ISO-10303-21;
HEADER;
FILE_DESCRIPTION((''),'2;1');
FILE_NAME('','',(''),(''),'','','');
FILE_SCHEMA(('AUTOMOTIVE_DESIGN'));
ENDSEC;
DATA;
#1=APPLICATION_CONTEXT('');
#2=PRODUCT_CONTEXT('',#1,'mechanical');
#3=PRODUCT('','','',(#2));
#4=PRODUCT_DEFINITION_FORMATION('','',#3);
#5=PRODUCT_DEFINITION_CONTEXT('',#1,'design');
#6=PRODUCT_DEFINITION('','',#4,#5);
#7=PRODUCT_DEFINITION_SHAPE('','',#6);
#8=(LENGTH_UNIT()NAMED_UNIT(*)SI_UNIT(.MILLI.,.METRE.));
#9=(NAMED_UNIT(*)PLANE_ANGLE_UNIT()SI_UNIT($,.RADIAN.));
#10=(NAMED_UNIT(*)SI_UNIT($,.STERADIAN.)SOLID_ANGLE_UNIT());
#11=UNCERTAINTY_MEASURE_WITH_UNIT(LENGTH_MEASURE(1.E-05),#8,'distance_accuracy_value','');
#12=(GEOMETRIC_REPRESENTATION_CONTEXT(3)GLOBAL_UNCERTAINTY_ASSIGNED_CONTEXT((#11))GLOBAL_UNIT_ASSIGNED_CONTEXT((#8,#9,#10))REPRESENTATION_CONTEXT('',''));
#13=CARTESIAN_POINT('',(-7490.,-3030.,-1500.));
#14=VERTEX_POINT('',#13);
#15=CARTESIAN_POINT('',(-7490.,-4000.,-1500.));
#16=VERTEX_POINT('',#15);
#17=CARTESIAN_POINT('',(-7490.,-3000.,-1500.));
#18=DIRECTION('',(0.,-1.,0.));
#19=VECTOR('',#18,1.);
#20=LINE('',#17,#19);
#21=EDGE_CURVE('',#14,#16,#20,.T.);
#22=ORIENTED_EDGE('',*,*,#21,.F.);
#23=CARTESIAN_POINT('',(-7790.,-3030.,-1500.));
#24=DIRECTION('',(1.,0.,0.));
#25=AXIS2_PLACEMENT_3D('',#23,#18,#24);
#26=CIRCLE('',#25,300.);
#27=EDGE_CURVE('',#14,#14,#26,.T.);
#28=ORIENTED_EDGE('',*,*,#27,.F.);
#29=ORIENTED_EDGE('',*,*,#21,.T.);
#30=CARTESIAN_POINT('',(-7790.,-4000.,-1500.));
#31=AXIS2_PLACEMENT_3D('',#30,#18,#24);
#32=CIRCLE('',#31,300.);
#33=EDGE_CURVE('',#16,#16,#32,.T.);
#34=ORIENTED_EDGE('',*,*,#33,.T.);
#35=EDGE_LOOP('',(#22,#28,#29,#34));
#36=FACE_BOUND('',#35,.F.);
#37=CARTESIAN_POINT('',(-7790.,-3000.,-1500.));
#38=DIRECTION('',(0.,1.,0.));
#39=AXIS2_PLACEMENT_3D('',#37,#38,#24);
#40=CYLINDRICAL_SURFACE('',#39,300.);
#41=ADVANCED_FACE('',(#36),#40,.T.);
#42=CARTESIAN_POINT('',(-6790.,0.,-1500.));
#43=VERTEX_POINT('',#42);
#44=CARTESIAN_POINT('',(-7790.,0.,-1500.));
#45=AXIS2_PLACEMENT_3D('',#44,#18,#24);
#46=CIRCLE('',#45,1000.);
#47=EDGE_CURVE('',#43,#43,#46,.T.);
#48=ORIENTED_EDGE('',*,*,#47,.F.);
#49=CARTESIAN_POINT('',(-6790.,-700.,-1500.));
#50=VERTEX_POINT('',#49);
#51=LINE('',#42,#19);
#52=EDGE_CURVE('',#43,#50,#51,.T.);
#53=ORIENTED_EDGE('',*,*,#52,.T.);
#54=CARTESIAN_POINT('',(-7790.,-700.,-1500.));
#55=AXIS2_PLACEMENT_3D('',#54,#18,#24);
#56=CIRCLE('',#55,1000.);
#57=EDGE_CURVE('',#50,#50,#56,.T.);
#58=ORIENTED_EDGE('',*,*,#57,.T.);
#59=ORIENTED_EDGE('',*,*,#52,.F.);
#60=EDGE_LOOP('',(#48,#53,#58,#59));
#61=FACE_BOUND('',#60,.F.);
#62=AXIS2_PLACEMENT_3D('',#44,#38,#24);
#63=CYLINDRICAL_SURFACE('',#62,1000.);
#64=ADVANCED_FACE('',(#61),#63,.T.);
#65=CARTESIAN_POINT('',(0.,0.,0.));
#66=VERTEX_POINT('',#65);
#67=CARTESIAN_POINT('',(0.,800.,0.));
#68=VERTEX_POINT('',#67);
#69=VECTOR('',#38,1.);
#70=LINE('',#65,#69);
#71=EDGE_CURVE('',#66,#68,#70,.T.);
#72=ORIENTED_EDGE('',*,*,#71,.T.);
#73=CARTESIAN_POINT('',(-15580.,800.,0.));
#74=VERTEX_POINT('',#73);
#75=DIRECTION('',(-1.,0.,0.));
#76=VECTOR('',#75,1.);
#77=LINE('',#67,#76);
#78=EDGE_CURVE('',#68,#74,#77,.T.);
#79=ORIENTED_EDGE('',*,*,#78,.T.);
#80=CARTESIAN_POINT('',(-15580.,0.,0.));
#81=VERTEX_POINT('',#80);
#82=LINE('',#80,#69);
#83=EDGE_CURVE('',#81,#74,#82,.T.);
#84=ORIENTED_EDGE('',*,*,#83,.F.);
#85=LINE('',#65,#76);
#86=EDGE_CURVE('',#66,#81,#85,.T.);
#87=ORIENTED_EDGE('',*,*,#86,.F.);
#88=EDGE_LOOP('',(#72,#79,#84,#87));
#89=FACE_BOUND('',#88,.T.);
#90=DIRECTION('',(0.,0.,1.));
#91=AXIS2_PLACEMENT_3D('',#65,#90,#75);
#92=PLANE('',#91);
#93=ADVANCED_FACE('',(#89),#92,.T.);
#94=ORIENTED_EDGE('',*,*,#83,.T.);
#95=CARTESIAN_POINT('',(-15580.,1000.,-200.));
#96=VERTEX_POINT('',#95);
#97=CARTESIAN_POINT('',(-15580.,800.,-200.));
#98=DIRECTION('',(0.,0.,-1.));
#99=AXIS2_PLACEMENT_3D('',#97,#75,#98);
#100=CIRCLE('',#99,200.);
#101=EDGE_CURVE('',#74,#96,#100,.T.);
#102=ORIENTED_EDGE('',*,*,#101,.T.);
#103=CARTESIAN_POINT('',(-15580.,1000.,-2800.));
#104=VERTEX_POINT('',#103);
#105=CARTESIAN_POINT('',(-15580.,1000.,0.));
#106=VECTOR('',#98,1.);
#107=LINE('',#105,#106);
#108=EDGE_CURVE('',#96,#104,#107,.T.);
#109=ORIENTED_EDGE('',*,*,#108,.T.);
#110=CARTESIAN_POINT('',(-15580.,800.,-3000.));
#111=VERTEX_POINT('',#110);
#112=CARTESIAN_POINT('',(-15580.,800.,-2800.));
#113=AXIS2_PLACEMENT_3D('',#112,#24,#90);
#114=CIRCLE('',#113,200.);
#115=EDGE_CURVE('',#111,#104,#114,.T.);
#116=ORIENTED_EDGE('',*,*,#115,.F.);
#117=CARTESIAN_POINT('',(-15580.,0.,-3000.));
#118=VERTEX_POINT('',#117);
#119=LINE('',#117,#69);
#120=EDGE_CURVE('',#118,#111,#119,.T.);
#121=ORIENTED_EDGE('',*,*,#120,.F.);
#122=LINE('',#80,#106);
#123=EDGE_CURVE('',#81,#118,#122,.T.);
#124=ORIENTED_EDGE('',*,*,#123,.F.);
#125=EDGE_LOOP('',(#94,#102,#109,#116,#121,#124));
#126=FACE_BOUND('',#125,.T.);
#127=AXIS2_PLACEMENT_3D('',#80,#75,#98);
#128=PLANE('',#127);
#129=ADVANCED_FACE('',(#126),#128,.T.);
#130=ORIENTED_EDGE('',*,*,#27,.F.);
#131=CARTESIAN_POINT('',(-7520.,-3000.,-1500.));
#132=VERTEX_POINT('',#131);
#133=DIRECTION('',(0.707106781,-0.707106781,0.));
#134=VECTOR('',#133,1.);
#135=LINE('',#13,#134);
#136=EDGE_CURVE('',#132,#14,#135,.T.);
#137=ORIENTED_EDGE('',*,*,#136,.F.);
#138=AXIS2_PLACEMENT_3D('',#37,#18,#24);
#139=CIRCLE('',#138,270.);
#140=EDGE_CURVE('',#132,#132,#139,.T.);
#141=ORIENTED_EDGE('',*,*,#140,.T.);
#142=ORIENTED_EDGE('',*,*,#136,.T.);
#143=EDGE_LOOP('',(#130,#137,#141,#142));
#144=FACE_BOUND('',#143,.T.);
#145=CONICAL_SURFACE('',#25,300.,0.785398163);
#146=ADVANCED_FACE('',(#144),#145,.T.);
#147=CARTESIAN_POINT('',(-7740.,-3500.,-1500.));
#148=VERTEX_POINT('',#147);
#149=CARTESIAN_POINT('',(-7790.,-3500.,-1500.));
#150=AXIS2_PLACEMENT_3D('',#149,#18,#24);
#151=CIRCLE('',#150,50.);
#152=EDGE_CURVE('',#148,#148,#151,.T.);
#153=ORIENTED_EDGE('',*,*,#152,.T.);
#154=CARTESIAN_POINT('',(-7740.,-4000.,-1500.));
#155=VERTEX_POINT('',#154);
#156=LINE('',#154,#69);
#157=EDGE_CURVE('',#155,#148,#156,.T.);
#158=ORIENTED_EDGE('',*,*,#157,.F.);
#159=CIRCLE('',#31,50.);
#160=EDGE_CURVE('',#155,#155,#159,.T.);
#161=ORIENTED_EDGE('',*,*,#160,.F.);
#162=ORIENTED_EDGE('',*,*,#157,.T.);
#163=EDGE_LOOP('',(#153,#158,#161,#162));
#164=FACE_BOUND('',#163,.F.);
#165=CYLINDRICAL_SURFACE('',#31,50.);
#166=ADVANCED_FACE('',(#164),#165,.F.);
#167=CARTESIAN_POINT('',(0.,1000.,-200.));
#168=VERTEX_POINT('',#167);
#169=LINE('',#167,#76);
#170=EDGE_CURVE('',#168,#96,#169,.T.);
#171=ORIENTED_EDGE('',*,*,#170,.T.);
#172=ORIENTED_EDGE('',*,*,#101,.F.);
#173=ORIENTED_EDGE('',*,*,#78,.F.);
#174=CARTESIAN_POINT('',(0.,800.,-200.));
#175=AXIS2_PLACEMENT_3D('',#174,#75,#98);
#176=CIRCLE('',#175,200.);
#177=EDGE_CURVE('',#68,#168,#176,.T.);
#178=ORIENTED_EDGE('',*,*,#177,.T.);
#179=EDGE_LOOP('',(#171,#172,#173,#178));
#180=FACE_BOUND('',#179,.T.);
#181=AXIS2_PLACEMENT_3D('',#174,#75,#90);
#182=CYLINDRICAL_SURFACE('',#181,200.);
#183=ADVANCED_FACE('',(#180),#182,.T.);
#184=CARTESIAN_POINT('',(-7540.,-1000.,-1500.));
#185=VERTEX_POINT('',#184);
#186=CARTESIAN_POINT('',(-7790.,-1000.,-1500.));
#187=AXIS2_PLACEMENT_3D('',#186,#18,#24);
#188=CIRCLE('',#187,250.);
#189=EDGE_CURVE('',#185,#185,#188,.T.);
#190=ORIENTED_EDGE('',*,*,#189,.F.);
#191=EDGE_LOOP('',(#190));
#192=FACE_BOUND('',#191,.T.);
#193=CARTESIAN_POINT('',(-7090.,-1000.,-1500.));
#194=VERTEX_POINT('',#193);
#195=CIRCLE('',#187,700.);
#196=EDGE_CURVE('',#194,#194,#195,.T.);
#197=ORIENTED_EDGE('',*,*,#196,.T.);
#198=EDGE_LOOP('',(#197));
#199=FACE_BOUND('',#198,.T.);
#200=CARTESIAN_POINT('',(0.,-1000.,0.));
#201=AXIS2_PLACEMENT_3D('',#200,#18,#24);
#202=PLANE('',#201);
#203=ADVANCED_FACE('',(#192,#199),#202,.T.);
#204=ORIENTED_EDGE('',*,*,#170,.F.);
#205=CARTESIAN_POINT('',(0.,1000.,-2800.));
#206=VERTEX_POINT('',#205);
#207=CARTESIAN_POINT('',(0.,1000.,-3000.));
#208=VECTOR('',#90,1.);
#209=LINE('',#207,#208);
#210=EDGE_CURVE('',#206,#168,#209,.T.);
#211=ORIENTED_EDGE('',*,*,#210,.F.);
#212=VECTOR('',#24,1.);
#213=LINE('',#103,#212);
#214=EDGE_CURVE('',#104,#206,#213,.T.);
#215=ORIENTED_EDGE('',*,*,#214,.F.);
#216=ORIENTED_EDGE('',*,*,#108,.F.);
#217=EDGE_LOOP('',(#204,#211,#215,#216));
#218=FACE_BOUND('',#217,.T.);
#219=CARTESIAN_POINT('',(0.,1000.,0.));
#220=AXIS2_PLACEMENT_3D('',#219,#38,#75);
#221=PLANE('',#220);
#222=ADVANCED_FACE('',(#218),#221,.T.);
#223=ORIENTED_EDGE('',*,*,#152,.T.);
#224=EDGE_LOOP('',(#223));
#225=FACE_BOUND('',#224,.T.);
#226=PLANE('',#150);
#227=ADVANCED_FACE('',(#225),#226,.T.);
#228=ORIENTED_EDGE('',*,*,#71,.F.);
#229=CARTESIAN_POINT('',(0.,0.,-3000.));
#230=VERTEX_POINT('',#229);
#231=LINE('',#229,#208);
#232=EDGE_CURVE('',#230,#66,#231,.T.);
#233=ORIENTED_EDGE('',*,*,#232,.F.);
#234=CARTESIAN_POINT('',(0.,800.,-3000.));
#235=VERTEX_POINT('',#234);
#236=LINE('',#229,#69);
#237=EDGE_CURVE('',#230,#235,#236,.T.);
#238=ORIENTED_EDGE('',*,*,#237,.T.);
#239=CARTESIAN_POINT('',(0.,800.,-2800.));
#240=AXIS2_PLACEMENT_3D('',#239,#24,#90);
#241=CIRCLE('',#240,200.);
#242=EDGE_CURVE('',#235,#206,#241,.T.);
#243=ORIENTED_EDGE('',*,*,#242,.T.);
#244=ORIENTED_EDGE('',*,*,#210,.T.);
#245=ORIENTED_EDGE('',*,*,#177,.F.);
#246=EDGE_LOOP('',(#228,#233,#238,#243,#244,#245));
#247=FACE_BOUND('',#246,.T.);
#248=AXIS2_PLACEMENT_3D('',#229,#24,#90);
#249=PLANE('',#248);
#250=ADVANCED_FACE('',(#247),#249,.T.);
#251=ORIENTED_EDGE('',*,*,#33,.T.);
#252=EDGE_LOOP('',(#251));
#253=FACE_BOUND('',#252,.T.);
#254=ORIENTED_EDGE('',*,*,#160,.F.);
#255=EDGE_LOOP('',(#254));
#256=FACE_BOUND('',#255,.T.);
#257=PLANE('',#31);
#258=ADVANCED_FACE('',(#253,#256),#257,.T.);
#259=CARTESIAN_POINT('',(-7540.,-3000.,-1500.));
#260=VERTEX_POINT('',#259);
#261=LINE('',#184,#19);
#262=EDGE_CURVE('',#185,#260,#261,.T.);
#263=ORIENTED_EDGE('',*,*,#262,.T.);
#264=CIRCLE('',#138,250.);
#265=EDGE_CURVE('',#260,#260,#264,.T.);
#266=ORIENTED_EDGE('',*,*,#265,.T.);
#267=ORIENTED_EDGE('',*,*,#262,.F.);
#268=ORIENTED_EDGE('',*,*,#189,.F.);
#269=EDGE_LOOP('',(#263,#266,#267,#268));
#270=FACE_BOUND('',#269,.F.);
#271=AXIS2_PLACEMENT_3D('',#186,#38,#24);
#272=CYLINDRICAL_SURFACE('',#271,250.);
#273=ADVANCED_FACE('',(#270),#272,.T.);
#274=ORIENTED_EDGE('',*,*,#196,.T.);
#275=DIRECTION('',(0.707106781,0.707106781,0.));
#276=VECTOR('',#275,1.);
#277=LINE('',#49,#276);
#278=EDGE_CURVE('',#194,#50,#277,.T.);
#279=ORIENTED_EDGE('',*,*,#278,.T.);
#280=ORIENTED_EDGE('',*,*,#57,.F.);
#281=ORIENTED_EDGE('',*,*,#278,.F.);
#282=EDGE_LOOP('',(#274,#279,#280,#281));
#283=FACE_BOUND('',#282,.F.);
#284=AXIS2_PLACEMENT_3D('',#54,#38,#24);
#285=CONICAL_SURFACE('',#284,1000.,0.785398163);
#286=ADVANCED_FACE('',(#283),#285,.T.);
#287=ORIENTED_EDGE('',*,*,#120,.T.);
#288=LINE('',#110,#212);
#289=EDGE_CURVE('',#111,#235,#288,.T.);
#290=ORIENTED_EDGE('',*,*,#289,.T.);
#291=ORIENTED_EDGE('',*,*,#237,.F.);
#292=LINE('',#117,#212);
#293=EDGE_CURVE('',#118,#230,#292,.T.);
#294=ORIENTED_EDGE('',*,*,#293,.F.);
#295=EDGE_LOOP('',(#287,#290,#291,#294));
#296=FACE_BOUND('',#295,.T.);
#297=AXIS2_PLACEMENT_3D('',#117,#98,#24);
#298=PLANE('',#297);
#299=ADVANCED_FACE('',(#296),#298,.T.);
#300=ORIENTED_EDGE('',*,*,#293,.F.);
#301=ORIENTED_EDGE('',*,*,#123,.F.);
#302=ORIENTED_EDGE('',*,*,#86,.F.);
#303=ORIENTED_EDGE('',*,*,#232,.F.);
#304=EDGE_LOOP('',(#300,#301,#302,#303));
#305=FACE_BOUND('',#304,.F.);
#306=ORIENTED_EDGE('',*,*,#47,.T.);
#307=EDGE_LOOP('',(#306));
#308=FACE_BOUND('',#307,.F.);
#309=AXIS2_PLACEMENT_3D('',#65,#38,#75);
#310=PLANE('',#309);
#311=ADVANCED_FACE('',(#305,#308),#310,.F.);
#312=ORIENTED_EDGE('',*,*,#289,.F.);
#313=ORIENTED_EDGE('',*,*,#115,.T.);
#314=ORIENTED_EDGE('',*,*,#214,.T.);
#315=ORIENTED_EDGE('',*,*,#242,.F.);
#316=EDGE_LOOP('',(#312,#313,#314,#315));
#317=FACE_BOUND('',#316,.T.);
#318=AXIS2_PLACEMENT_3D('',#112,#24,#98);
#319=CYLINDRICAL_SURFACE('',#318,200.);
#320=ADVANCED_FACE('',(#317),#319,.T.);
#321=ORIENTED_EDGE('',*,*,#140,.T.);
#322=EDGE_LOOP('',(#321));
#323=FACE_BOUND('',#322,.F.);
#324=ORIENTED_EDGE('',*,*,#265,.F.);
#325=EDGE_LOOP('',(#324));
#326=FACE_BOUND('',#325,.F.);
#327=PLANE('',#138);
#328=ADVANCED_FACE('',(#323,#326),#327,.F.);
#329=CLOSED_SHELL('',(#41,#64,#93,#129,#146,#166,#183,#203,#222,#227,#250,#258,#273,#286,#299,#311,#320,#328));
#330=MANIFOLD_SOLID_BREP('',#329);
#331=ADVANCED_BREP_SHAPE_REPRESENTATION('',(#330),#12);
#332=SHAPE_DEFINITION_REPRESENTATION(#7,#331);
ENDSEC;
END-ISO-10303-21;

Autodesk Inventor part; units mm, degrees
ref_plane "YZ Plane" through (0, 0, 0) normal (1, 0, 0) x (0, 1, 0)
ref_plane "XZ Plane" through (0, 0, 0) normal (0, 1, 0) x (-1, 0, 0)
ref_plane "XY Plane" through (0, 0, 0) normal (0, 0, 1) x (1, 0, 0)
sketch "Sketch1" plane through (0, 0, 0) normal (0, 1, 0) x (-1, 0, 0)
  line L0 (0, 0) -> (15580, 0)
  line L1 (15580, 0) -> (15580, -3000)
  line L2 (15580, -3000) -> (0, -3000)
  line L3 (0, -3000) -> (0, 0)
  dimension "d0" = 15580
  dimension "d1" = 3000
extrude "Extrusion1" add sketch "Sketch1" along normal blind 1000
fillet "Fillet1" radius 200 2 edges at (-7790, 1000, 0) (-7790, 1000, -3000)
sketch "Sketch2" plane through (0, 0, 0) normal (0, -1, 0) x (1, 0, 0)
  circle A0 centre (-7790, -1500) radius 1000
  dimension "d5" = 2000
extrude "Extrusion2" add sketch "Sketch2" along normal blind 1000
sketch "Sketch3" plane through (-7790, -1000, -1500) normal (0, -1, 0) x (1, 0, 0)
  circle A0 centre (0, 0) radius 1000 projected
  circle A1 centre (0, 0) radius 250
  point P0 (7790, 1500)
  dimension "d8" = 500
extrude "Extrusion3" add sketch "Sketch3" along normal blind 2000 contours A1
sketch "Sketch4" plane through (-7790, -3000, -1500) normal (0, -1, 0) x (1, 0, 0)
  circle A0 centre (0, 0) radius 250 projected
  circle A1 centre (0, 0) radius 300
  point P0 (7790, 1500)
  dimension "d12" = 600
extrude "Extrusion4" add sketch "Sketch4" along normal blind 1000 contours A0 | A1
sketch "Sketch5" plane through (-7790, -4000, -1500) normal (0, -1, 0) x (1, 0, 0)
  circle A0 centre (0, 0) radius 300 projected
  circle A1 centre (0, 0) radius 50
  point P0 (7790, 1500)
  dimension "d15" = 100
extrude "Extrusion5" cut sketch "Sketch5" against normal blind 500 contours A1
thread "Thread1" size "M100x6" class "6H" standard "ANSI Metric M Profile" full length
chamfer "Chamfer1" distance 30 angle 45 1 edges at (-8090, -3000, -1500)
chamfer "Chamfer2" distance 300 angle 45 1 edges at (-8790, -1000, -1500)
properties part number "tempathook"
